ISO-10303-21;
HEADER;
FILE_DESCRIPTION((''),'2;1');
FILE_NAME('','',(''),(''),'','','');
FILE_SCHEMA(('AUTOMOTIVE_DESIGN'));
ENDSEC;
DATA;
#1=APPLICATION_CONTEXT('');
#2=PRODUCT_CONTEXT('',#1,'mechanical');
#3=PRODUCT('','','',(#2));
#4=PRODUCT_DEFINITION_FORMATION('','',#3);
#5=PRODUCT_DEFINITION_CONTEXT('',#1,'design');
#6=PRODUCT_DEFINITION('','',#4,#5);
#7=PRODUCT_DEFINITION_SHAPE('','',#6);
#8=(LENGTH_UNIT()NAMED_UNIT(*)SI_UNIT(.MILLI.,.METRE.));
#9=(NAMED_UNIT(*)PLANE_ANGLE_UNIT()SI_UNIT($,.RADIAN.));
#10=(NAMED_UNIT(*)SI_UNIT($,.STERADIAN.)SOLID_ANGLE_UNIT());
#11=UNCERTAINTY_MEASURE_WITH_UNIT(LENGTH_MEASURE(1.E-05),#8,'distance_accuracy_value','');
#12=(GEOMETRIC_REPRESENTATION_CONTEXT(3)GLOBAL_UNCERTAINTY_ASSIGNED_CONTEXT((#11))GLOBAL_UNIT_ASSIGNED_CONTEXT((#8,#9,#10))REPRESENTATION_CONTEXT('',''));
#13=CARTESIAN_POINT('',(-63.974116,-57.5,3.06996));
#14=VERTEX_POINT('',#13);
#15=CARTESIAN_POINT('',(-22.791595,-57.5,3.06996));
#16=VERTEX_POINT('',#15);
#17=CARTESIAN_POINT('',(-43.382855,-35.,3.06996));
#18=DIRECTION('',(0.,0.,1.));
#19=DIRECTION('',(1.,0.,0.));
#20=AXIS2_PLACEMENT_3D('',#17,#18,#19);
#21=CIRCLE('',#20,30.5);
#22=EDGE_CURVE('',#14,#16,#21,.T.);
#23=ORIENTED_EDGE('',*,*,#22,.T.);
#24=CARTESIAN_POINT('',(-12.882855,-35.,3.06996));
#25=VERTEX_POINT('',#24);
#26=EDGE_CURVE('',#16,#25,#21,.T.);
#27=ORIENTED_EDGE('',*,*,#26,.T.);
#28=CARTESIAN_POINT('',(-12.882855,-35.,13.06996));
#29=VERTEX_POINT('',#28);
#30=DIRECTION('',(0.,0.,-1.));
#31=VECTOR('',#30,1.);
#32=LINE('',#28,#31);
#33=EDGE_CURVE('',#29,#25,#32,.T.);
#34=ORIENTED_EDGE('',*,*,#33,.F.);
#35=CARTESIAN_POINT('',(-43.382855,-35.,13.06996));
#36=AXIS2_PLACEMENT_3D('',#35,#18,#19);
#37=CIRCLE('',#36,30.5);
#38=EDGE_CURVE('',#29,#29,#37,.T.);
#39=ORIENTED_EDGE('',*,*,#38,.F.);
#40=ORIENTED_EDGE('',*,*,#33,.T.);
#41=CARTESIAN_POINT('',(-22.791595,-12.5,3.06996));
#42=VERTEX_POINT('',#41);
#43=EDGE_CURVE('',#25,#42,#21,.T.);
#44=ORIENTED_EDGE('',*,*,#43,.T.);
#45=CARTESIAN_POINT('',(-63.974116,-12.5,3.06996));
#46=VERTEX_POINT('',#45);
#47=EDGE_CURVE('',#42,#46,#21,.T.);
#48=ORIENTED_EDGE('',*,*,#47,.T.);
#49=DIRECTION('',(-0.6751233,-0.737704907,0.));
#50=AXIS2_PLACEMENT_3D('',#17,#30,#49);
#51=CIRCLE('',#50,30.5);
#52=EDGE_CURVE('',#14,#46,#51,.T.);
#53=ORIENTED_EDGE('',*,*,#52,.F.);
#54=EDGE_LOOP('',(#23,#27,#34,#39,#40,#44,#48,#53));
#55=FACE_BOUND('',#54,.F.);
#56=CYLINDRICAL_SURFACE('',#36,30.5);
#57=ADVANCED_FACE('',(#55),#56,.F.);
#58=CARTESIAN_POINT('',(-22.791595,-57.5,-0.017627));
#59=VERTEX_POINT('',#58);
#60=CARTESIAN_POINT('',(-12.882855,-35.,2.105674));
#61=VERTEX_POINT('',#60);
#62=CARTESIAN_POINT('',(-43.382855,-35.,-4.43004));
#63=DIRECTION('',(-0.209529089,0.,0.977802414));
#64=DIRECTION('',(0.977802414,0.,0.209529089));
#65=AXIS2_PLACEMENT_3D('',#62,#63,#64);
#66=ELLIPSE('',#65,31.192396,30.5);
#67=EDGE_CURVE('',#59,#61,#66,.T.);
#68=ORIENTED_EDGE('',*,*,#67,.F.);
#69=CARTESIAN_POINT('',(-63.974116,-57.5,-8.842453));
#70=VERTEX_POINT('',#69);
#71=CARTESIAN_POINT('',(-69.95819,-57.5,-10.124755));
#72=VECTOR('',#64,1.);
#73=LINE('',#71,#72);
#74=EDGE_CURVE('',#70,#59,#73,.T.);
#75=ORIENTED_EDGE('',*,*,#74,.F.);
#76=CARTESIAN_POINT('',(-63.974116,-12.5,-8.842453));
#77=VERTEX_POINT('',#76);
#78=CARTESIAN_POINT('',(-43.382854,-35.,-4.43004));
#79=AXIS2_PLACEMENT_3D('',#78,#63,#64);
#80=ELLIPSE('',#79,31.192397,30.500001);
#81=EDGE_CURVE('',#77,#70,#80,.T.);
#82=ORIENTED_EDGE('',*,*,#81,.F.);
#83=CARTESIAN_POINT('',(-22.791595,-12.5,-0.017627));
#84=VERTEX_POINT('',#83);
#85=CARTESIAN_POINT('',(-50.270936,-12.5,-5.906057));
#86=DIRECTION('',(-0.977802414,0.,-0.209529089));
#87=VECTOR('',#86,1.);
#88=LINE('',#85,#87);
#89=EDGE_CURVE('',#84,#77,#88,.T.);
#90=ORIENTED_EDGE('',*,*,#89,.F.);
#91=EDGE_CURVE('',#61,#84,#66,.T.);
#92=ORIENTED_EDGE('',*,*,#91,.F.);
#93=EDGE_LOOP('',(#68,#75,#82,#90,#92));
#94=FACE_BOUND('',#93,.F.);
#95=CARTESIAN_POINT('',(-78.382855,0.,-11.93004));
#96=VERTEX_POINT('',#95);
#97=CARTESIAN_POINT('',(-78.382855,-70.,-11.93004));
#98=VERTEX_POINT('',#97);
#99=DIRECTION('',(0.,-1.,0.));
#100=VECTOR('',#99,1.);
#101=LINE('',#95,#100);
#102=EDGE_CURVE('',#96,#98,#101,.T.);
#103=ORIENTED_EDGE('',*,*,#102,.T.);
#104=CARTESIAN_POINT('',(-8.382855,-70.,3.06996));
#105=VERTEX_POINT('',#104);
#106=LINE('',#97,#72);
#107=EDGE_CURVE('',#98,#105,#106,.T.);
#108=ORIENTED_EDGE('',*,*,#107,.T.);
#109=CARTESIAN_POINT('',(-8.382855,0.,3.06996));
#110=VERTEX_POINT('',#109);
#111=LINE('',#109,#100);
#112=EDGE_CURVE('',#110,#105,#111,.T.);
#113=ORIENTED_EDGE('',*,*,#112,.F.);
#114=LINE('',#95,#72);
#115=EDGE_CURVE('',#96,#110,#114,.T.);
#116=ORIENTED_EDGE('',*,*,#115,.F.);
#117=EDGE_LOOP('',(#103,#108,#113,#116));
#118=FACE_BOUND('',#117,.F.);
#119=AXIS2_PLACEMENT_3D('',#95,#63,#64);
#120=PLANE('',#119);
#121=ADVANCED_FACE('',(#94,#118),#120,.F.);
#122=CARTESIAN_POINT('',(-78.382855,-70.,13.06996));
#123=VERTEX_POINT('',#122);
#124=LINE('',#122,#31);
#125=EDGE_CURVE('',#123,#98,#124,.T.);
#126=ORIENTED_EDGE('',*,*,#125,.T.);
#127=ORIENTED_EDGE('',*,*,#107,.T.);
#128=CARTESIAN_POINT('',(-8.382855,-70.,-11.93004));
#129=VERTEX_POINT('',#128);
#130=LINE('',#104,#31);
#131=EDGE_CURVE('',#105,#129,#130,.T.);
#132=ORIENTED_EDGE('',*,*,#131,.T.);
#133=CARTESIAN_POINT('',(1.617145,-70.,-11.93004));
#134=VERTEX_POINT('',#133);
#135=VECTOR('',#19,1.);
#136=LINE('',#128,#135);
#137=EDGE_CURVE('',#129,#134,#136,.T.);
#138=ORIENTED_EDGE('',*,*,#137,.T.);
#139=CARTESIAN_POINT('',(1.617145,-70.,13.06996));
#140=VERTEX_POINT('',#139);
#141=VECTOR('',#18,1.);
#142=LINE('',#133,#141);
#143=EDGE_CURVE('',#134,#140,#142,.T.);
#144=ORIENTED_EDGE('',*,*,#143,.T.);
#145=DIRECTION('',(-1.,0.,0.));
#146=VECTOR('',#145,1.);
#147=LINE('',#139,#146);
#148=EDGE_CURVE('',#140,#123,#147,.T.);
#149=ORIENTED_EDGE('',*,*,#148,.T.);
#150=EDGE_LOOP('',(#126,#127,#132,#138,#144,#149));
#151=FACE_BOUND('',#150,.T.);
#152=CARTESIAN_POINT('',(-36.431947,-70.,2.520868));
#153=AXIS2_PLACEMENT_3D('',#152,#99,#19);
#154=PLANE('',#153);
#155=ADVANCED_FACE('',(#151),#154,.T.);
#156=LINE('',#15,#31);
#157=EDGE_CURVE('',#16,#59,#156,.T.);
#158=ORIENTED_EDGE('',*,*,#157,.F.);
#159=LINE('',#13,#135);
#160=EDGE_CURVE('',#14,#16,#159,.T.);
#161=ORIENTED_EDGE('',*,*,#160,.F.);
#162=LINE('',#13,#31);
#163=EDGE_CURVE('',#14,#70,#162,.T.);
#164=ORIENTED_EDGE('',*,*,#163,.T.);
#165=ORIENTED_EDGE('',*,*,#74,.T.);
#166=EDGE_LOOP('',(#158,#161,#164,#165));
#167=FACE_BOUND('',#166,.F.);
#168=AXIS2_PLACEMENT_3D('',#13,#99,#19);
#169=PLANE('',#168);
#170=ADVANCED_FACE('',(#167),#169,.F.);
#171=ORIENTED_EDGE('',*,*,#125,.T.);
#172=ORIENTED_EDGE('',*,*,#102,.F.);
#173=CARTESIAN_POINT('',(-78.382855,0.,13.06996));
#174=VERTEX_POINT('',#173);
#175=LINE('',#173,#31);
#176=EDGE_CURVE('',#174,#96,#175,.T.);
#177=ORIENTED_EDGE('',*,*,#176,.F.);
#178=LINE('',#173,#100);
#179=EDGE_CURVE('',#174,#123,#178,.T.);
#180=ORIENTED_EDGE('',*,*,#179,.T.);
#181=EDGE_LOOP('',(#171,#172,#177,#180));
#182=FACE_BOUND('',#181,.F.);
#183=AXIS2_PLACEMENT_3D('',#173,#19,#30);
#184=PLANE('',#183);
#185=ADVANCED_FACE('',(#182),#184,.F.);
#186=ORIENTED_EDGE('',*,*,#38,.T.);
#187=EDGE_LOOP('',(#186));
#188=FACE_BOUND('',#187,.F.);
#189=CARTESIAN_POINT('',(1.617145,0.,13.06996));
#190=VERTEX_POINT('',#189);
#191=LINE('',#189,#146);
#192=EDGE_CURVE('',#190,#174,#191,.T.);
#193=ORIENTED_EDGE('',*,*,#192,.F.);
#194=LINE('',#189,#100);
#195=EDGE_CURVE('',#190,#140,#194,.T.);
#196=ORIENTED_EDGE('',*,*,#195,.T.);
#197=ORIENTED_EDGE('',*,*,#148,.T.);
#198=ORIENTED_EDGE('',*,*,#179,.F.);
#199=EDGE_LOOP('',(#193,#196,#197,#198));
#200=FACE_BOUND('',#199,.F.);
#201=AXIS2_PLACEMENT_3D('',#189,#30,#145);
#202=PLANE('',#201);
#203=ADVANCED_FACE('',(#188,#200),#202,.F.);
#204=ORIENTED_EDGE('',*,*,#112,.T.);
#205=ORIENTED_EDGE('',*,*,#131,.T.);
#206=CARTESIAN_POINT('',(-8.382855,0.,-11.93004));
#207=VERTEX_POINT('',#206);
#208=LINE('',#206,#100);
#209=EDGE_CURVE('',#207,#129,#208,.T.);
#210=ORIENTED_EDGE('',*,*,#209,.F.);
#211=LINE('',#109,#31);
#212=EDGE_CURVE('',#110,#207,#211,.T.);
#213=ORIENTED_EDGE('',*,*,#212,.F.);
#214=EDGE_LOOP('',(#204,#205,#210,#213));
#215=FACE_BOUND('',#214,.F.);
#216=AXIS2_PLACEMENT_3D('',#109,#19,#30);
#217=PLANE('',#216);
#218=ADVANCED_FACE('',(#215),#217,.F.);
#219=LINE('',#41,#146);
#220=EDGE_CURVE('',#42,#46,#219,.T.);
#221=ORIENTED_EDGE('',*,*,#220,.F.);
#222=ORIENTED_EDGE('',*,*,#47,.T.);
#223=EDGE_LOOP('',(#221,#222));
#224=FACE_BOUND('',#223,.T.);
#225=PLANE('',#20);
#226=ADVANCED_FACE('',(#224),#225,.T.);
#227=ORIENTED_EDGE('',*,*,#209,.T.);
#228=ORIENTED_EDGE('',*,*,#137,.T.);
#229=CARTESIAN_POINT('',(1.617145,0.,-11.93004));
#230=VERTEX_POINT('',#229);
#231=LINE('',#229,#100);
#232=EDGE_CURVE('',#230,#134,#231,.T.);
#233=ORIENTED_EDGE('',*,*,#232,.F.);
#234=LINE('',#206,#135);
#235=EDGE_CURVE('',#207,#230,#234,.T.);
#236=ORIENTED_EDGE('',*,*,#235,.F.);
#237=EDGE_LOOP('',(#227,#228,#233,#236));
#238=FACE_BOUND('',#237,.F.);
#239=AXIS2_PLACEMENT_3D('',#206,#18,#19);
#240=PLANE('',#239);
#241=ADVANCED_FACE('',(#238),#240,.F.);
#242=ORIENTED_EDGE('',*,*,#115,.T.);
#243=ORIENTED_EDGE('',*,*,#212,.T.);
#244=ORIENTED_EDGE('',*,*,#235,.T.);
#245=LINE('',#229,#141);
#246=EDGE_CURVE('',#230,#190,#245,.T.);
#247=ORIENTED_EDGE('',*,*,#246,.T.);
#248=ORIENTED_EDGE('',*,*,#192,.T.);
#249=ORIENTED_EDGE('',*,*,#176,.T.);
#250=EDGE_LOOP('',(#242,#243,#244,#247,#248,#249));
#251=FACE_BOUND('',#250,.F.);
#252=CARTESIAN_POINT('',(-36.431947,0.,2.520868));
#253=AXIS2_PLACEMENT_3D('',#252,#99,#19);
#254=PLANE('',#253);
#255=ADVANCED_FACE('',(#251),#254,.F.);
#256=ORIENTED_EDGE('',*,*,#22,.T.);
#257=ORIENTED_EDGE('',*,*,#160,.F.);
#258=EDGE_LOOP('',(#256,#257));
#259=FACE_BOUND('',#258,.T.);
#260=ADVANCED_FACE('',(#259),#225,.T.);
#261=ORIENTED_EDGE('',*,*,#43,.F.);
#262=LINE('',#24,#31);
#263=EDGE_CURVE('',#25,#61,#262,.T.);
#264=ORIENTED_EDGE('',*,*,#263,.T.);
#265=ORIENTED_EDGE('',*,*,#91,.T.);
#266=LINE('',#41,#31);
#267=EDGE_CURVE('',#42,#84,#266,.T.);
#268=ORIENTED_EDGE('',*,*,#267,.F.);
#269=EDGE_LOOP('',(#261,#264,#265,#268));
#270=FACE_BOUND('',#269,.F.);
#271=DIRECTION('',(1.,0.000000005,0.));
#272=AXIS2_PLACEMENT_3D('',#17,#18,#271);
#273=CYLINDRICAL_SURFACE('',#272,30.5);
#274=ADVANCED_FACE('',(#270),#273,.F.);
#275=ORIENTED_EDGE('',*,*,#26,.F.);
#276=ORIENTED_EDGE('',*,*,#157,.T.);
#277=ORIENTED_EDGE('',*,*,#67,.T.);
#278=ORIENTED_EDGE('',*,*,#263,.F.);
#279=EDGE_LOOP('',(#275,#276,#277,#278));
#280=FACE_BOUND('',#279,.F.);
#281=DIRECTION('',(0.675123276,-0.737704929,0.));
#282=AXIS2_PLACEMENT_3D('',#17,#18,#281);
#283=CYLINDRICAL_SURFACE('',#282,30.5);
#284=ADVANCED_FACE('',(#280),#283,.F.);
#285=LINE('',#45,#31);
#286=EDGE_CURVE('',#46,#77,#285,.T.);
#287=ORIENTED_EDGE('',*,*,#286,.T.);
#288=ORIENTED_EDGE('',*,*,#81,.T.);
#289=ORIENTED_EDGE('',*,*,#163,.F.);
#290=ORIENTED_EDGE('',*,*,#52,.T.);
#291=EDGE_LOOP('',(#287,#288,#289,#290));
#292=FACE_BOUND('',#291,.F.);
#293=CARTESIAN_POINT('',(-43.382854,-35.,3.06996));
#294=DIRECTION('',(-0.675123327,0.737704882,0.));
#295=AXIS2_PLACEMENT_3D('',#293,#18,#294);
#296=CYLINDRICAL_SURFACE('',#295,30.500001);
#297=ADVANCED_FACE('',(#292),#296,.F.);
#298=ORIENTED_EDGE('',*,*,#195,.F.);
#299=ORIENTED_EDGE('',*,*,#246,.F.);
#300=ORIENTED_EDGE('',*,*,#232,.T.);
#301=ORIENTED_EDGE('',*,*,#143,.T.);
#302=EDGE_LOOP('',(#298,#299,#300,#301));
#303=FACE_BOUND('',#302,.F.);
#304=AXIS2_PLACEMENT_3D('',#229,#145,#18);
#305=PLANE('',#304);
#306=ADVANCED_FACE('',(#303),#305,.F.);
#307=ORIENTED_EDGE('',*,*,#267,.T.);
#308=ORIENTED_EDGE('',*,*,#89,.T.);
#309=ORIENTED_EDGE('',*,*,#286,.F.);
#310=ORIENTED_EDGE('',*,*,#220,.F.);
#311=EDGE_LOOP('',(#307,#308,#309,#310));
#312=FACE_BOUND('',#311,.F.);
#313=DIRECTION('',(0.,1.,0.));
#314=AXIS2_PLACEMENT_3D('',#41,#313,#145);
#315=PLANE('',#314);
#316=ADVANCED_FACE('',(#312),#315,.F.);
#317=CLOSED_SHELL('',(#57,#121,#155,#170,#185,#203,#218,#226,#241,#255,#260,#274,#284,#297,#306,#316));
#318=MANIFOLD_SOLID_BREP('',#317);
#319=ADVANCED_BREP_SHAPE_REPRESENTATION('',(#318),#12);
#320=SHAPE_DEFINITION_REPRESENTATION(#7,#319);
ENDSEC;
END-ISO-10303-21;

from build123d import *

# Parameters (mm, degrees)
F1_DEPTH = 70
F2_R     = 30.5
F3_DEPTH = 10
F5_DEPTH = 25


with BuildPart() as f1:
    # F0 (on Front) → F1 (new body)
    with BuildSketch(Plane.XZ):
        Polygon((1.617145, 13.06996), (-78.382855, 13.06996), (-78.382855, -11.93004), (-8.382855, 3.06996), (-8.382855, -11.93004), (1.617145, -11.93004), align=None)
    extrude(amount=F1_DEPTH)

    # F2 (on face) → F3 (cut)
    with BuildSketch(Plane.XY.offset(13.06996)):
        with Locations((-43.382855, -35)):
            Circle(F2_R)
    extrude(amount=-F3_DEPTH, mode=Mode.SUBTRACT)

    # F4 (on face) → F5 (cut)
    with BuildSketch(Plane.XY.offset(3.06996)):
        with BuildLine():
            ThreePointArc((-12.882855, -35), (-15.469745, -22.707389), (-22.791595, -12.5))
            Line((-22.791595, -12.5), (-63.974116, -12.5))
            ThreePointArc((-63.974116, -12.5), (-73.882855, -35), (-63.974116, -57.5))
            Line((-63.974116, -57.5), (-22.791595, -57.5))
            ThreePointArc((-22.791595, -57.5), (-15.469745, -47.292611), (-12.882855, -35))
        make_face()
    extrude(amount=-F5_DEPTH, mode=Mode.SUBTRACT)


solid = f1.part
